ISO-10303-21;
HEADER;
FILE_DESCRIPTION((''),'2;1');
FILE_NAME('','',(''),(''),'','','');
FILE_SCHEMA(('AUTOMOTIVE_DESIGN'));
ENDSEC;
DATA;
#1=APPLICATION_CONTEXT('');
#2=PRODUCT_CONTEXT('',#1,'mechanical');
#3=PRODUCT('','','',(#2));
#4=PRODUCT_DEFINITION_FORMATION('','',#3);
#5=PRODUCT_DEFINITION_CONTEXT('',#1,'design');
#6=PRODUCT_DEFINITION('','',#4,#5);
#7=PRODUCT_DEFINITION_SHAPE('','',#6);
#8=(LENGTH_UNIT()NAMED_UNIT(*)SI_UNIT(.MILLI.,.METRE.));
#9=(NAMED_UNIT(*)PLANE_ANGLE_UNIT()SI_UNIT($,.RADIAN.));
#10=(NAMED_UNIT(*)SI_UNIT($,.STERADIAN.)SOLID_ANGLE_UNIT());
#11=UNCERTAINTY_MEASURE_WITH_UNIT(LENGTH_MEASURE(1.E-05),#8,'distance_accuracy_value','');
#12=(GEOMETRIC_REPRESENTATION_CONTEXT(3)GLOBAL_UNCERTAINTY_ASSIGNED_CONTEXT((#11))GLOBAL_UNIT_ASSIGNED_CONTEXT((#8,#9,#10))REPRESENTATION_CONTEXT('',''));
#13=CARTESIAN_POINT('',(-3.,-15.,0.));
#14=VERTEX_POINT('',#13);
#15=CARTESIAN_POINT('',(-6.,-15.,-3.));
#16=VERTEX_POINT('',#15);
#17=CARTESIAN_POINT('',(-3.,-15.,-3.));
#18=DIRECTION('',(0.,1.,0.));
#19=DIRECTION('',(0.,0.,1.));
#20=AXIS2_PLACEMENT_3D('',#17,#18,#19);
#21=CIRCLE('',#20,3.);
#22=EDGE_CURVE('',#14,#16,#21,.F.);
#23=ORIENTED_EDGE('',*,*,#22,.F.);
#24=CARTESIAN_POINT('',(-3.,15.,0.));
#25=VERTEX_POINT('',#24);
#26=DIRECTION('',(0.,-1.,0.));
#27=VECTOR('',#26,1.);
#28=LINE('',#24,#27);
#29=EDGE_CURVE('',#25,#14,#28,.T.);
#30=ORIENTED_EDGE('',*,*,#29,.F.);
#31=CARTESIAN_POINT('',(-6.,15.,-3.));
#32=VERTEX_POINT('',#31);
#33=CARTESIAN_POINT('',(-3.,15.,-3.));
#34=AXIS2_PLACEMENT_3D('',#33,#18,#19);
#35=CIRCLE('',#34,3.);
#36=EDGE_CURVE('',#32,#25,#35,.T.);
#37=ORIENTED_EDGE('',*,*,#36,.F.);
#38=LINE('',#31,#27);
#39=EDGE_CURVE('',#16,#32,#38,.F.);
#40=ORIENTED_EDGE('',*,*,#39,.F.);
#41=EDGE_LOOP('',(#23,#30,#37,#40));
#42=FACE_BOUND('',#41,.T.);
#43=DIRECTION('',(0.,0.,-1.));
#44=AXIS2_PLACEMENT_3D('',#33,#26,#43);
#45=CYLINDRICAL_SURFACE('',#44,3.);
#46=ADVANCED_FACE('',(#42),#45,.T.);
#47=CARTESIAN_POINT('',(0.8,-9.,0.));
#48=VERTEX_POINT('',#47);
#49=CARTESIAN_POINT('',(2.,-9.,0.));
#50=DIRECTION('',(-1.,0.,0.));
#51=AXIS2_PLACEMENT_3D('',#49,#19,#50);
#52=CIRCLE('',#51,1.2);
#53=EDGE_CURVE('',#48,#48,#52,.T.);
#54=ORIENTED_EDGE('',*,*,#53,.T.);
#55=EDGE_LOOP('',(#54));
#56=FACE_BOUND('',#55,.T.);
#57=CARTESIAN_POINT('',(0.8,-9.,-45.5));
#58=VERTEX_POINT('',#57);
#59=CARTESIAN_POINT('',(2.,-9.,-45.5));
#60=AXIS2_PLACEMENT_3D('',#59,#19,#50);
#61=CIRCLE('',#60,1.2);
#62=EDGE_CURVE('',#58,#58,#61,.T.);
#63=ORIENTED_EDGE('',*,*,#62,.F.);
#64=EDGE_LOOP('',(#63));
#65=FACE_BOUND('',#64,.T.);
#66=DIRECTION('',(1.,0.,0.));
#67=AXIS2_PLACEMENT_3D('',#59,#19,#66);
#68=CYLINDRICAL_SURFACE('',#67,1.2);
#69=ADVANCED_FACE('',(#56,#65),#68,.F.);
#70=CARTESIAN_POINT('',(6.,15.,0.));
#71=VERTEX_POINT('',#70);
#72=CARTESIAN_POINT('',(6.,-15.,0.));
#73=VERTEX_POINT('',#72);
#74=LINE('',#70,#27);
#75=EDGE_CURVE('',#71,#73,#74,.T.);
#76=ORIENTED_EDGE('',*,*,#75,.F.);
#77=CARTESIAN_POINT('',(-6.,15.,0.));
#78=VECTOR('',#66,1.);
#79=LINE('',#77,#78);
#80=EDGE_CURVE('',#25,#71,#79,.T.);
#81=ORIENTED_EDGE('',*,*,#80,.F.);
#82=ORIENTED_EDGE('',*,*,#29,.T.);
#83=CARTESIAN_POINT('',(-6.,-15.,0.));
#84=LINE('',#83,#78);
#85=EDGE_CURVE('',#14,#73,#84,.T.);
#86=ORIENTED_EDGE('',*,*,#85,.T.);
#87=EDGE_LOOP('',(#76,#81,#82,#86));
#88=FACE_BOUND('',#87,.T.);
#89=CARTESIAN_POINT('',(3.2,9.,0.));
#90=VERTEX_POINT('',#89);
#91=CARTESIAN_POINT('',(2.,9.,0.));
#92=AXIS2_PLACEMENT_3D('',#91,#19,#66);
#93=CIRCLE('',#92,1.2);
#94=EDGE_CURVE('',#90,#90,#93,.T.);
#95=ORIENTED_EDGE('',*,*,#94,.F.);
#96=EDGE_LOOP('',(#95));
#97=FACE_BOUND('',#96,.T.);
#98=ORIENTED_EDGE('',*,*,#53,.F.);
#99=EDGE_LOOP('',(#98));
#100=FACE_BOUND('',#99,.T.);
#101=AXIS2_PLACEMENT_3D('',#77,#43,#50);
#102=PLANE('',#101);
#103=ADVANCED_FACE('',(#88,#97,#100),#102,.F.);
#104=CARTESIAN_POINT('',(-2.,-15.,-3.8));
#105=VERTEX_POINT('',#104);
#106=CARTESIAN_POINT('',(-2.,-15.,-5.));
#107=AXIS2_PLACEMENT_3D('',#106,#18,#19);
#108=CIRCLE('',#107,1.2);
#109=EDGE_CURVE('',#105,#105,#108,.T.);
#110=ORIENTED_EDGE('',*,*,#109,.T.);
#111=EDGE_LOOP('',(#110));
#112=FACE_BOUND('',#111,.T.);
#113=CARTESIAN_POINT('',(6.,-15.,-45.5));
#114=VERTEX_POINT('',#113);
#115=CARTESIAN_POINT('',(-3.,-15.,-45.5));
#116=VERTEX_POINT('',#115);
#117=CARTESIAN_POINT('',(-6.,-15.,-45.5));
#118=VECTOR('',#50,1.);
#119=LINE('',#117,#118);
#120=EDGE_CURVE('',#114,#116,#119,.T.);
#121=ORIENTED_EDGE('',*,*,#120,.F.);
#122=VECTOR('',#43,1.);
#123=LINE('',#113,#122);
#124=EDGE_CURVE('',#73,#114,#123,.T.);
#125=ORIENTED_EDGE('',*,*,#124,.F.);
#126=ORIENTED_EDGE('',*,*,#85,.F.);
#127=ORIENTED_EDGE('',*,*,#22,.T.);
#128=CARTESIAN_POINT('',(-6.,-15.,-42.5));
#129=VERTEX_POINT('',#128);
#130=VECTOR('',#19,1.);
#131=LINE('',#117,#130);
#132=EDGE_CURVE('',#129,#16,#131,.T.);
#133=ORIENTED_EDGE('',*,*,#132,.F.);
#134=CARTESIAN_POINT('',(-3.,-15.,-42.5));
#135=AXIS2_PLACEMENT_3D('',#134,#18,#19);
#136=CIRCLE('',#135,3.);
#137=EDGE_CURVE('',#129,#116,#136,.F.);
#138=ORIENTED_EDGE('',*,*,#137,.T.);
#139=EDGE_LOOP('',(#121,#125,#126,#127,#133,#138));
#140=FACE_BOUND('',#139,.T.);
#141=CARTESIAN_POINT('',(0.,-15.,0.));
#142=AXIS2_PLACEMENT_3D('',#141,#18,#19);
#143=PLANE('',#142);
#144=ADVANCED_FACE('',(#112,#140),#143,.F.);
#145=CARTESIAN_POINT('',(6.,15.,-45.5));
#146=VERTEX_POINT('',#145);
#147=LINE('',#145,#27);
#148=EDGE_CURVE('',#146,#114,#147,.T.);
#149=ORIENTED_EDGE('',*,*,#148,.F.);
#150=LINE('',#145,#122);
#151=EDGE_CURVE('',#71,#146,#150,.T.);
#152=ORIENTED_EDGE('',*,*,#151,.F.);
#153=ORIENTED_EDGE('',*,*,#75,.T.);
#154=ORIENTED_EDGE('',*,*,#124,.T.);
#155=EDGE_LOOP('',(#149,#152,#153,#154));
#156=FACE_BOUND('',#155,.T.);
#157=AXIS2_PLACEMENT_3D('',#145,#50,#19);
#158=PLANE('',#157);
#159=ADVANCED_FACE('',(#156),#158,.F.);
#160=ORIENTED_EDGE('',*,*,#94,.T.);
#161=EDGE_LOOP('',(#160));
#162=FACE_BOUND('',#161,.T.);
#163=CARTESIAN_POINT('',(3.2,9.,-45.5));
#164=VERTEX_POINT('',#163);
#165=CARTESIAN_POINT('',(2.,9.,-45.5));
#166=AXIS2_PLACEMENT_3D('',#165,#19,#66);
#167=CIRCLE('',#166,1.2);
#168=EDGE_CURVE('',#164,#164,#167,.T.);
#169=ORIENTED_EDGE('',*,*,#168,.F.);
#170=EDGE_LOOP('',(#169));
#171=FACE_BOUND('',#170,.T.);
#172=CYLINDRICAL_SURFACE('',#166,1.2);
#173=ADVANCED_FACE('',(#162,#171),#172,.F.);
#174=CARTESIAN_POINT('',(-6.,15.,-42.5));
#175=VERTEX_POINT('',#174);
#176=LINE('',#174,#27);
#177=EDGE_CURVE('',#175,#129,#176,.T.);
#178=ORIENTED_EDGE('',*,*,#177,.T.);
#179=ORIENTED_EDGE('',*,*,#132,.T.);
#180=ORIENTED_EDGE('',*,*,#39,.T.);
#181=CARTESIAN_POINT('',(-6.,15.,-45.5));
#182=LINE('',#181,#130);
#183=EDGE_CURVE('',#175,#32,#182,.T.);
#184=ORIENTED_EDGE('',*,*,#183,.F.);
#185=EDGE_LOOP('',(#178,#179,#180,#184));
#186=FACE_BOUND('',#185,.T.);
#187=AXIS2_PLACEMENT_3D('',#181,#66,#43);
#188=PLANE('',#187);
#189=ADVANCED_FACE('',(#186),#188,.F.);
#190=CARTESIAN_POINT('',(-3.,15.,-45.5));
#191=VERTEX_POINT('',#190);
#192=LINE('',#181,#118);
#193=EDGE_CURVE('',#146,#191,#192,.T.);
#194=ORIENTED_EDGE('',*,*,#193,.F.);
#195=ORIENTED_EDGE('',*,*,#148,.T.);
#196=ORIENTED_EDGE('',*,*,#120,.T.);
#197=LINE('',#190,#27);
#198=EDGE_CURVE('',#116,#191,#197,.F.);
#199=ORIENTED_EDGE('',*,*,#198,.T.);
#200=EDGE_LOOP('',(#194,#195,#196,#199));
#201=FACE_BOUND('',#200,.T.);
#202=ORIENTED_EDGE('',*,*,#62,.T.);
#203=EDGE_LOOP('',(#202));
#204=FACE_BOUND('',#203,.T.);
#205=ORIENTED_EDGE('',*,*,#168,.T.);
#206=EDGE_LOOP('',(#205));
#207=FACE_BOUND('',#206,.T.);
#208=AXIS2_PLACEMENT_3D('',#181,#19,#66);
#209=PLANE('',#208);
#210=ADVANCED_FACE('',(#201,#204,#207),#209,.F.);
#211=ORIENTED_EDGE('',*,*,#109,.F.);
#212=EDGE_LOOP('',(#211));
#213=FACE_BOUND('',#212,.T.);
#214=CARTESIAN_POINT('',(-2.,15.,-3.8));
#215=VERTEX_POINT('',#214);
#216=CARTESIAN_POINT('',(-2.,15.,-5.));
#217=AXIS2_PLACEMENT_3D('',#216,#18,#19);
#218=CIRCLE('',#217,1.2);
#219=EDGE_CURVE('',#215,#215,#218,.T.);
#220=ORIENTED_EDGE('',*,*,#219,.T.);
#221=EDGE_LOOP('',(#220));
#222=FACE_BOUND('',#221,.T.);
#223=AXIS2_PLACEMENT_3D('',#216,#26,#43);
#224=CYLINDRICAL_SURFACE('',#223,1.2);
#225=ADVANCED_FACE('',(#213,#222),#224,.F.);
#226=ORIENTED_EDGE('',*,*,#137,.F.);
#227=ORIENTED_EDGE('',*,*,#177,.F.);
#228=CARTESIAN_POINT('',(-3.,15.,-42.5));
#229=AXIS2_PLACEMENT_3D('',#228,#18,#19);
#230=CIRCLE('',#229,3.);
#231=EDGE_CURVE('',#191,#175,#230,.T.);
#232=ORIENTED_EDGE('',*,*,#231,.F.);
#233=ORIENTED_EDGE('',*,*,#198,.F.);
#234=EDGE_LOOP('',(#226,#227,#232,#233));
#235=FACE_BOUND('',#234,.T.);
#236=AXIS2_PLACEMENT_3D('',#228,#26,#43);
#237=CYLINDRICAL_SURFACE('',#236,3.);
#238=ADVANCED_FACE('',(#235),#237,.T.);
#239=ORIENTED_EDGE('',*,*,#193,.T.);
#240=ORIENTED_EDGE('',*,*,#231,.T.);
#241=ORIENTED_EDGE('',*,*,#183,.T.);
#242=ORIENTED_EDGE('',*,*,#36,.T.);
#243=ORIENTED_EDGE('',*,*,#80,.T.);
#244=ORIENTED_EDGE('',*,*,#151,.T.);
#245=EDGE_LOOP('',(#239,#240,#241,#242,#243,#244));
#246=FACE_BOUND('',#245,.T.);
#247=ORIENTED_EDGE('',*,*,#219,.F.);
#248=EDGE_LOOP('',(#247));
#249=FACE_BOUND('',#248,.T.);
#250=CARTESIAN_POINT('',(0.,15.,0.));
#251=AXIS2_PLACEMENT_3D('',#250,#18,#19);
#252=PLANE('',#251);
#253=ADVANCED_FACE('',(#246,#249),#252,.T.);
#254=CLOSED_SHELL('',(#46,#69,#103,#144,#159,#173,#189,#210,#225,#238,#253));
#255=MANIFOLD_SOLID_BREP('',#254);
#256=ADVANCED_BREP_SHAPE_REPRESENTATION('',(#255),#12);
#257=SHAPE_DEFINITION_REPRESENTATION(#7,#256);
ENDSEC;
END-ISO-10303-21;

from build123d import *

# Parameters (mm, degrees)
ESQUISSE1_W             = 12
ESQUISSE1_H             = 45.5
ESQUISSE1_R             = 1.2
BOSS_EXTRU_1_DEPTH      = 15
ESQUISSE2_R             = 1.2
ENL_V_MAT_EXTRU_1_DEPTH = 49.28301979
CONG_1_R                = 3


with BuildPart() as part:
    # Esquisse1 → Boss.-Extru.1 (new, symmetric)
    with BuildSketch(Plane(origin=(0, 0, 0), x_dir=(1, 0, 0), z_dir=(0, 1, 0))):
        with Locations((0, 22.75)):
            Rectangle(ESQUISSE1_W, ESQUISSE1_H)
        with Locations(Location((-2, 5, 0), (0, 0, 270))):
            Circle(ESQUISSE1_R, mode=Mode.SUBTRACT)
    extrude(amount=BOSS_EXTRU_1_DEPTH, both=True)

    # Esquisse2 → Enlèv. mat.-Extru.1 (cut, through all)
    with BuildSketch(Plane.XY):
        with Locations((2, 9)):
            Circle(ESQUISSE2_R)
        with Locations(Location((2, -9, 0), (0, 0, 180))):
            Circle(ESQUISSE2_R)
    extrude(amount=-ENL_V_MAT_EXTRU_1_DEPTH, mode=Mode.SUBTRACT)

    # Congé1
    cong_1_edges = [part.edges().sort_by_distance(p)[0] for p in [
        (-6, 0, -45.5),
        (-6, 0, 0),
    ]]
    fillet(cong_1_edges, radius=CONG_1_R)


solid = part.part
